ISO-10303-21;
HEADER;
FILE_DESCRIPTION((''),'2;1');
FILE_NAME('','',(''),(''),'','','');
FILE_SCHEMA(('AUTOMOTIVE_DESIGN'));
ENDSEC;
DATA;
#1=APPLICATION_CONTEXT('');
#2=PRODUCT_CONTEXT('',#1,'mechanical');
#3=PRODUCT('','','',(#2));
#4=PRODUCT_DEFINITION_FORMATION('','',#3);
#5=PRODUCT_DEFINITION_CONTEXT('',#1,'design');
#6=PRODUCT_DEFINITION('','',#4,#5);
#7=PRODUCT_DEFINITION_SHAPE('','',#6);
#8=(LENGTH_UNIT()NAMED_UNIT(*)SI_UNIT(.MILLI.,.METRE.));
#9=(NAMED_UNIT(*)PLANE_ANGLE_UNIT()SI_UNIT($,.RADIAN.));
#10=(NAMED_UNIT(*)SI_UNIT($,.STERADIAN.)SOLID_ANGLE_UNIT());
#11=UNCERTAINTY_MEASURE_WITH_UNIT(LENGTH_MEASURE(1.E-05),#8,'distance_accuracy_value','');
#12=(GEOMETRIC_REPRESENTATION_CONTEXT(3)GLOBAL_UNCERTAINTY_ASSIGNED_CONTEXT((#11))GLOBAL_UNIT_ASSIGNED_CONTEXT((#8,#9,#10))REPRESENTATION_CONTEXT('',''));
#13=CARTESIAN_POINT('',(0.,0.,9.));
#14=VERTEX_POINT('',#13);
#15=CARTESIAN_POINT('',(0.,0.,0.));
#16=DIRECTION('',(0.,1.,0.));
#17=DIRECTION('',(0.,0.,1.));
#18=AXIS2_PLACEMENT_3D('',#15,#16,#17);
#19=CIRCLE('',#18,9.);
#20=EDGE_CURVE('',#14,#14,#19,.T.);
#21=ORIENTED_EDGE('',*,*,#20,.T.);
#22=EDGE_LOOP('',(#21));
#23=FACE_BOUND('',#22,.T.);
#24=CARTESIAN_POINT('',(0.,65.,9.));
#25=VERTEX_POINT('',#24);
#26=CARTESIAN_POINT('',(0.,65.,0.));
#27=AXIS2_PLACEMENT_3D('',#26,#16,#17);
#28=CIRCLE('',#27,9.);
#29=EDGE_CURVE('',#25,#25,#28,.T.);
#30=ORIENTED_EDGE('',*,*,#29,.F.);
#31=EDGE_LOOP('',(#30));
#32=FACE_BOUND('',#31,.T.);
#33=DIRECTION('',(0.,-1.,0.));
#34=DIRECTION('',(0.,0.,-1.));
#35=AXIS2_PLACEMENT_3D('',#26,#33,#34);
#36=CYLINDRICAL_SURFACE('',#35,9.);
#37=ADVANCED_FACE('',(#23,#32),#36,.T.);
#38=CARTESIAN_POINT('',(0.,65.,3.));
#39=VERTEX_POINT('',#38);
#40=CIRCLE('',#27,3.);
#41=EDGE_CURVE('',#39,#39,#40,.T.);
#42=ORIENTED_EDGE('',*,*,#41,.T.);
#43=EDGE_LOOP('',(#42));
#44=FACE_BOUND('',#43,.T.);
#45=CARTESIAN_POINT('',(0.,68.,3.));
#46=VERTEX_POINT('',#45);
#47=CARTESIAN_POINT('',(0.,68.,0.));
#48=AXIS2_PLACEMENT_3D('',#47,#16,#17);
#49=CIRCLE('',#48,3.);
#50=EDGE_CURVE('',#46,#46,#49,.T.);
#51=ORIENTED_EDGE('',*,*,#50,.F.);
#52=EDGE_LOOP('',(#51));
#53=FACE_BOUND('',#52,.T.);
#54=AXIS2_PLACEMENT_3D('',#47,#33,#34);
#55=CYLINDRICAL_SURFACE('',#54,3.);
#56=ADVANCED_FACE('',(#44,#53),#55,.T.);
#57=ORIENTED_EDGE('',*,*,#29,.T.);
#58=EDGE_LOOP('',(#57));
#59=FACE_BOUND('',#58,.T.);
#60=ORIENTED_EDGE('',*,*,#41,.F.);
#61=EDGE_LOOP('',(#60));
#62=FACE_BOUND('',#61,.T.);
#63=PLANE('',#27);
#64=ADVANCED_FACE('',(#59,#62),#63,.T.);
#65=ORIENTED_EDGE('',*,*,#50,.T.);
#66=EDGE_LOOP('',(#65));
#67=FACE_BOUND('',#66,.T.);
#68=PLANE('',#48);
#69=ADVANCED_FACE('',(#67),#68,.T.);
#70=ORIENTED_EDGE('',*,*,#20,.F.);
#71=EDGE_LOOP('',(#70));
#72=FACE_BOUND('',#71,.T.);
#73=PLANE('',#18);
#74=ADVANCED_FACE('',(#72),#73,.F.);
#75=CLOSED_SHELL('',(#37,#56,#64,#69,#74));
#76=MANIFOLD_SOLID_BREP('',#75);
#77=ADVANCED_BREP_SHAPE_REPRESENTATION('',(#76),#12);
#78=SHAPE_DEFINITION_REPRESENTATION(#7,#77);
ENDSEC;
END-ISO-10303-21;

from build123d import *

# Parameters (mm, degrees)
SKETCH1_R           = 9
BOSS_EXTRUDE1_DEPTH = 65
SKETCH2_R           = 3
BOSS_EXTRUDE2_DEPTH = 3


with BuildPart() as part:
    # Sketch1 → Boss-Extrude1 (new body)
    with BuildSketch(Plane(origin=(0, 0, 0), x_dir=(1, 0, 0), z_dir=(0, 1, 0))):
        Circle(SKETCH1_R)
    extrude(amount=BOSS_EXTRUDE1_DEPTH)

    # Sketch2 → Boss-Extrude2 (add)
    with BuildSketch(Plane(origin=(0, 65, 0), x_dir=(1, 0, 0), z_dir=(0, 1, 0))):
        Circle(SKETCH2_R)
    extrude(amount=BOSS_EXTRUDE2_DEPTH)


solid = part.part
